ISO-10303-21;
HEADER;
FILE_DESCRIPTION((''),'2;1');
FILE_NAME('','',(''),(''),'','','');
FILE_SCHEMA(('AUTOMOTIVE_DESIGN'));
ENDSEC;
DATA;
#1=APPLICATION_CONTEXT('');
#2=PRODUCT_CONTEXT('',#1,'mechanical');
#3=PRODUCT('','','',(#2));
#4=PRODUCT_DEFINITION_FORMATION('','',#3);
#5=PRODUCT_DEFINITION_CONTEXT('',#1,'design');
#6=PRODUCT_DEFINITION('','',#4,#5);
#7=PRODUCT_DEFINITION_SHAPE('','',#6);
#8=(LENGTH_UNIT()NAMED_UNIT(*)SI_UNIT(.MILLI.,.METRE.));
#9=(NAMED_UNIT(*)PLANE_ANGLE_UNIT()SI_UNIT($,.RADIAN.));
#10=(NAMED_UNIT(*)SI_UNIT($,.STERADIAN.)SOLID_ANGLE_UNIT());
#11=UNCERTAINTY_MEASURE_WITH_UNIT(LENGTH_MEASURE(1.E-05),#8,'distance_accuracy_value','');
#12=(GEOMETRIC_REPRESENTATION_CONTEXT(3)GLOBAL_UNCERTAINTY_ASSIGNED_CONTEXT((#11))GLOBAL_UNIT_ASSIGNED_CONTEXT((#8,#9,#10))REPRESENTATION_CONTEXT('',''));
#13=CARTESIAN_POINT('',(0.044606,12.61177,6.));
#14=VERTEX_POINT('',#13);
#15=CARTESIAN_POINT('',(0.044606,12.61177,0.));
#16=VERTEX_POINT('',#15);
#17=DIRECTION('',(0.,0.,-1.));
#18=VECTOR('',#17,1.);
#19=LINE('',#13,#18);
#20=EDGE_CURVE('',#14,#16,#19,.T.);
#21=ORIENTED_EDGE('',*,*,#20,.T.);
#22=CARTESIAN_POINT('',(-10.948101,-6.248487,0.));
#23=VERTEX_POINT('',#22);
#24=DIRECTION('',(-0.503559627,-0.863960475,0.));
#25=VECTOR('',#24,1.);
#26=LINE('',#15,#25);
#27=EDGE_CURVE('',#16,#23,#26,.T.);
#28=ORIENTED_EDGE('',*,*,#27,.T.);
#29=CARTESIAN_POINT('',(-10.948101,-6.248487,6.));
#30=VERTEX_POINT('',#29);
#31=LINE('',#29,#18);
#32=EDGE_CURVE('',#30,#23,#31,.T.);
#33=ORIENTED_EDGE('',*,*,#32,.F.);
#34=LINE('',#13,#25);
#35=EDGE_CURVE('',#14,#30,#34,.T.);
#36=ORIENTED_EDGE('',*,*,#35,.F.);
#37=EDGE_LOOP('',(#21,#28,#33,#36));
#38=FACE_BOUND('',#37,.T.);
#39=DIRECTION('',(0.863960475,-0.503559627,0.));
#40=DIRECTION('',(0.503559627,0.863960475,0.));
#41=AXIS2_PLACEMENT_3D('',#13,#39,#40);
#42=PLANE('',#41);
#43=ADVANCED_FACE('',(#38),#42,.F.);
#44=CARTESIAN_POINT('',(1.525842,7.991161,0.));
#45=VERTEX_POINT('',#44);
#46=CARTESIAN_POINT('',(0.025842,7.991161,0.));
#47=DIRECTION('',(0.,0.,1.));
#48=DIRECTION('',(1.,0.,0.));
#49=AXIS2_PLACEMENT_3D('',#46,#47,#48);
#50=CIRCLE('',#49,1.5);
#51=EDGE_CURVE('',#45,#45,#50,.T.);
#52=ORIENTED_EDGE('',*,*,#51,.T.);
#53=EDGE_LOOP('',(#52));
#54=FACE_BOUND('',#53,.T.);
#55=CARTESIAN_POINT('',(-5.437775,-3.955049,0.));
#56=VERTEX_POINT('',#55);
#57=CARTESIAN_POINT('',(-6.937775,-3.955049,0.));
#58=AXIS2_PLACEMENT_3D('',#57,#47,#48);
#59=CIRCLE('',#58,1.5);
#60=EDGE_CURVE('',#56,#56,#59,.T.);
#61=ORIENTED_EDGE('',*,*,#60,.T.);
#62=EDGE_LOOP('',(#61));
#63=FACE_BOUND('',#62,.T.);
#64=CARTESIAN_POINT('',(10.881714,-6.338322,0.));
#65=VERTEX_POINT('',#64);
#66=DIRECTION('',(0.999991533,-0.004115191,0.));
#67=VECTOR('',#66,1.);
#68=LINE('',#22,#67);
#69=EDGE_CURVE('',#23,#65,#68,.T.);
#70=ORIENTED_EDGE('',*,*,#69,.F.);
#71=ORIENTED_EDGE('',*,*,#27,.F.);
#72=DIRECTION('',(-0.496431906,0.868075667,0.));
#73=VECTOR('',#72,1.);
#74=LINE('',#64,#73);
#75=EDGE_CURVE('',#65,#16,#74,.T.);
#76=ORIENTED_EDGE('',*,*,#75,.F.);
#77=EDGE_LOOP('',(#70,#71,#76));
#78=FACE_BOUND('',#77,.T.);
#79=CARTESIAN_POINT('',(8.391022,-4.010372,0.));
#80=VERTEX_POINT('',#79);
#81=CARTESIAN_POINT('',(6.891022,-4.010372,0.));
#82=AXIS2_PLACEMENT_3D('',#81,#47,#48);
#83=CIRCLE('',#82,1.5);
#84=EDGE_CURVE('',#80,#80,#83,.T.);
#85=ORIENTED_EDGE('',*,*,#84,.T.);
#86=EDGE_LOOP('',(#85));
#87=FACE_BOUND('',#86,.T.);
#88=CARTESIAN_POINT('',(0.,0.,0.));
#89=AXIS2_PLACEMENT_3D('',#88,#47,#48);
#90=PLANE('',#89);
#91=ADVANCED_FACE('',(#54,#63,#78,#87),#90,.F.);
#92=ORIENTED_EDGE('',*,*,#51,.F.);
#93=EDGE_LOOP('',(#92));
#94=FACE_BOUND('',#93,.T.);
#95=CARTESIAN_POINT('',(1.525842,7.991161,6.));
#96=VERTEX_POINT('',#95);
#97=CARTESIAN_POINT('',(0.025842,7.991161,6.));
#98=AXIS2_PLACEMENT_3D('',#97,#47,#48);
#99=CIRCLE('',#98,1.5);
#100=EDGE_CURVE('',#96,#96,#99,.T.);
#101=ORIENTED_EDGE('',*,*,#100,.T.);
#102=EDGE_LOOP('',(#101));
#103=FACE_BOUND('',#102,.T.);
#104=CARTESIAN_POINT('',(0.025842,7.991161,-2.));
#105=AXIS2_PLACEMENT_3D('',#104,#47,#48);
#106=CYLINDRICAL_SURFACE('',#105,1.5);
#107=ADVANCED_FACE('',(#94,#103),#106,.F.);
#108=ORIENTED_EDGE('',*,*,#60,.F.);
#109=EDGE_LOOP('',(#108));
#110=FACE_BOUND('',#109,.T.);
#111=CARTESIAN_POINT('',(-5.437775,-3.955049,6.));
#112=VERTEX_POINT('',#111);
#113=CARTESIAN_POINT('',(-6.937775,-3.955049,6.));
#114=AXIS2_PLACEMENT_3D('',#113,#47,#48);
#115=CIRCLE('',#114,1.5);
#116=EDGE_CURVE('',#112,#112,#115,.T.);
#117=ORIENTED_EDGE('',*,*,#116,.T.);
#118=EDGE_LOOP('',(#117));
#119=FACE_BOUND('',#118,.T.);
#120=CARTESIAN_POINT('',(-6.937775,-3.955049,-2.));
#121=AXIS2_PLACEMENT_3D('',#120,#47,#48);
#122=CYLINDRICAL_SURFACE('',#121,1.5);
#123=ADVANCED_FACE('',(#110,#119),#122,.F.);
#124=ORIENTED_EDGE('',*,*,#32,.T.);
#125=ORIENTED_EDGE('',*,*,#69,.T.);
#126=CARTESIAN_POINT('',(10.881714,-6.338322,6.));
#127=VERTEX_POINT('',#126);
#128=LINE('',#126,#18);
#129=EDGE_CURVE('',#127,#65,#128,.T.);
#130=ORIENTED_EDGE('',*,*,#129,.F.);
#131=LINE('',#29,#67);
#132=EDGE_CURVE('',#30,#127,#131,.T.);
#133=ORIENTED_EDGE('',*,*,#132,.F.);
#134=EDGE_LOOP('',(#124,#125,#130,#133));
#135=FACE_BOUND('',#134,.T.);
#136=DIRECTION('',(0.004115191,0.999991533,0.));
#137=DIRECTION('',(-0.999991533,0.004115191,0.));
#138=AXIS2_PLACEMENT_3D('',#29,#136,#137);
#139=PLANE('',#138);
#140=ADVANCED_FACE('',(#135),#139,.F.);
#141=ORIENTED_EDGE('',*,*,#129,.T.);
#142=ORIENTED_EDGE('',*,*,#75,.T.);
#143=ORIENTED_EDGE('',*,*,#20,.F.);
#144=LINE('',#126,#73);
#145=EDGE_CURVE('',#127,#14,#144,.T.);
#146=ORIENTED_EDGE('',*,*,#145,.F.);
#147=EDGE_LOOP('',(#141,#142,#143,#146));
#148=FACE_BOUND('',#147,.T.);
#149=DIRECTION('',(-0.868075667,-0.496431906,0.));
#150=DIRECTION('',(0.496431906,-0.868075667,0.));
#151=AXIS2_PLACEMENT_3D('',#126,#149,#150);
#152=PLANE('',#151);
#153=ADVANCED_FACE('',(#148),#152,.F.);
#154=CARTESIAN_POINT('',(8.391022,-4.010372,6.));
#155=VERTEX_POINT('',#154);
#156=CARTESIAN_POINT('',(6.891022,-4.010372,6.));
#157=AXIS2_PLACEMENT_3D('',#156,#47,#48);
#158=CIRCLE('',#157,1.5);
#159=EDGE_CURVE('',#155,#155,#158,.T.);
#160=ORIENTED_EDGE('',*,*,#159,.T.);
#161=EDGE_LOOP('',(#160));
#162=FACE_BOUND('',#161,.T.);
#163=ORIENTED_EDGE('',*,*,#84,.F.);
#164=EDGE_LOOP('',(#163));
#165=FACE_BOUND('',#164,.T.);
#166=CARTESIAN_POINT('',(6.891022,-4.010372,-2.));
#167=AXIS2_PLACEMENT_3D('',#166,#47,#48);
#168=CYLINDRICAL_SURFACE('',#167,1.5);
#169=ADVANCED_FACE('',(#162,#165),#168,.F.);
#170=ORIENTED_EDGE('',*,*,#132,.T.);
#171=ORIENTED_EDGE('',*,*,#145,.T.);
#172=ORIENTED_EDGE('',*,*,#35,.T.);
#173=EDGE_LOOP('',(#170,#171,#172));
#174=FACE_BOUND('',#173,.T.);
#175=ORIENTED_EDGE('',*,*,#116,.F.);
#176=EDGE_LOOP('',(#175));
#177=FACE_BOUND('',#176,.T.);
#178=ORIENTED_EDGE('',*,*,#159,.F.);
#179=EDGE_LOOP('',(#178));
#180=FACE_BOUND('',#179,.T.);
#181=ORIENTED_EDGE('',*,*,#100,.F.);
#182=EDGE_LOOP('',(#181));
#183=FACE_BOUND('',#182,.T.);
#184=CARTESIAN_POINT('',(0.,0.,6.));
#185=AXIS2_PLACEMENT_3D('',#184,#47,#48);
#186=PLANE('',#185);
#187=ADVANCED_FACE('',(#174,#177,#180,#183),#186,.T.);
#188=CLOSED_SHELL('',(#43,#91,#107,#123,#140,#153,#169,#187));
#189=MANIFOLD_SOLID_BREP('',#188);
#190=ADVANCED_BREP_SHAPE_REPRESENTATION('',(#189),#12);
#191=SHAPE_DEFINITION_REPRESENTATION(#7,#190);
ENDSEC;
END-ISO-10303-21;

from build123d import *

# Parameters (mm, degrees)
BOSS_EXTRU_1_DEPTH      = 6
ESQUISSE14_R            = 1.5
ENL_V_MAT_EXTRU_1_DEPTH = 8


with BuildPart() as part:
    # Esquisse13 → Boss.-Extru.1 (new body)
    with BuildSketch(Plane.XY):
        Polygon((0.044605576, 12.611770032), (-10.948101074, -6.248487138), (10.881714082, -6.338321768), align=None)
    extrude(amount=BOSS_EXTRU_1_DEPTH)

    # Esquisse14 → Enlèv. mat.-Extru.1 (cut)
    with BuildSketch(Plane.XY.offset(6)):
        with Locations((0.025841827, 7.991160973)):
            Circle(ESQUISSE14_R)
        with Locations((6.891022326, -4.010372012)):
            Circle(ESQUISSE14_R)
        with Locations((-6.937774801, -3.955049343)):
            Circle(ESQUISSE14_R)
    extrude(amount=-ENL_V_MAT_EXTRU_1_DEPTH, mode=Mode.SUBTRACT)


solid = part.part
